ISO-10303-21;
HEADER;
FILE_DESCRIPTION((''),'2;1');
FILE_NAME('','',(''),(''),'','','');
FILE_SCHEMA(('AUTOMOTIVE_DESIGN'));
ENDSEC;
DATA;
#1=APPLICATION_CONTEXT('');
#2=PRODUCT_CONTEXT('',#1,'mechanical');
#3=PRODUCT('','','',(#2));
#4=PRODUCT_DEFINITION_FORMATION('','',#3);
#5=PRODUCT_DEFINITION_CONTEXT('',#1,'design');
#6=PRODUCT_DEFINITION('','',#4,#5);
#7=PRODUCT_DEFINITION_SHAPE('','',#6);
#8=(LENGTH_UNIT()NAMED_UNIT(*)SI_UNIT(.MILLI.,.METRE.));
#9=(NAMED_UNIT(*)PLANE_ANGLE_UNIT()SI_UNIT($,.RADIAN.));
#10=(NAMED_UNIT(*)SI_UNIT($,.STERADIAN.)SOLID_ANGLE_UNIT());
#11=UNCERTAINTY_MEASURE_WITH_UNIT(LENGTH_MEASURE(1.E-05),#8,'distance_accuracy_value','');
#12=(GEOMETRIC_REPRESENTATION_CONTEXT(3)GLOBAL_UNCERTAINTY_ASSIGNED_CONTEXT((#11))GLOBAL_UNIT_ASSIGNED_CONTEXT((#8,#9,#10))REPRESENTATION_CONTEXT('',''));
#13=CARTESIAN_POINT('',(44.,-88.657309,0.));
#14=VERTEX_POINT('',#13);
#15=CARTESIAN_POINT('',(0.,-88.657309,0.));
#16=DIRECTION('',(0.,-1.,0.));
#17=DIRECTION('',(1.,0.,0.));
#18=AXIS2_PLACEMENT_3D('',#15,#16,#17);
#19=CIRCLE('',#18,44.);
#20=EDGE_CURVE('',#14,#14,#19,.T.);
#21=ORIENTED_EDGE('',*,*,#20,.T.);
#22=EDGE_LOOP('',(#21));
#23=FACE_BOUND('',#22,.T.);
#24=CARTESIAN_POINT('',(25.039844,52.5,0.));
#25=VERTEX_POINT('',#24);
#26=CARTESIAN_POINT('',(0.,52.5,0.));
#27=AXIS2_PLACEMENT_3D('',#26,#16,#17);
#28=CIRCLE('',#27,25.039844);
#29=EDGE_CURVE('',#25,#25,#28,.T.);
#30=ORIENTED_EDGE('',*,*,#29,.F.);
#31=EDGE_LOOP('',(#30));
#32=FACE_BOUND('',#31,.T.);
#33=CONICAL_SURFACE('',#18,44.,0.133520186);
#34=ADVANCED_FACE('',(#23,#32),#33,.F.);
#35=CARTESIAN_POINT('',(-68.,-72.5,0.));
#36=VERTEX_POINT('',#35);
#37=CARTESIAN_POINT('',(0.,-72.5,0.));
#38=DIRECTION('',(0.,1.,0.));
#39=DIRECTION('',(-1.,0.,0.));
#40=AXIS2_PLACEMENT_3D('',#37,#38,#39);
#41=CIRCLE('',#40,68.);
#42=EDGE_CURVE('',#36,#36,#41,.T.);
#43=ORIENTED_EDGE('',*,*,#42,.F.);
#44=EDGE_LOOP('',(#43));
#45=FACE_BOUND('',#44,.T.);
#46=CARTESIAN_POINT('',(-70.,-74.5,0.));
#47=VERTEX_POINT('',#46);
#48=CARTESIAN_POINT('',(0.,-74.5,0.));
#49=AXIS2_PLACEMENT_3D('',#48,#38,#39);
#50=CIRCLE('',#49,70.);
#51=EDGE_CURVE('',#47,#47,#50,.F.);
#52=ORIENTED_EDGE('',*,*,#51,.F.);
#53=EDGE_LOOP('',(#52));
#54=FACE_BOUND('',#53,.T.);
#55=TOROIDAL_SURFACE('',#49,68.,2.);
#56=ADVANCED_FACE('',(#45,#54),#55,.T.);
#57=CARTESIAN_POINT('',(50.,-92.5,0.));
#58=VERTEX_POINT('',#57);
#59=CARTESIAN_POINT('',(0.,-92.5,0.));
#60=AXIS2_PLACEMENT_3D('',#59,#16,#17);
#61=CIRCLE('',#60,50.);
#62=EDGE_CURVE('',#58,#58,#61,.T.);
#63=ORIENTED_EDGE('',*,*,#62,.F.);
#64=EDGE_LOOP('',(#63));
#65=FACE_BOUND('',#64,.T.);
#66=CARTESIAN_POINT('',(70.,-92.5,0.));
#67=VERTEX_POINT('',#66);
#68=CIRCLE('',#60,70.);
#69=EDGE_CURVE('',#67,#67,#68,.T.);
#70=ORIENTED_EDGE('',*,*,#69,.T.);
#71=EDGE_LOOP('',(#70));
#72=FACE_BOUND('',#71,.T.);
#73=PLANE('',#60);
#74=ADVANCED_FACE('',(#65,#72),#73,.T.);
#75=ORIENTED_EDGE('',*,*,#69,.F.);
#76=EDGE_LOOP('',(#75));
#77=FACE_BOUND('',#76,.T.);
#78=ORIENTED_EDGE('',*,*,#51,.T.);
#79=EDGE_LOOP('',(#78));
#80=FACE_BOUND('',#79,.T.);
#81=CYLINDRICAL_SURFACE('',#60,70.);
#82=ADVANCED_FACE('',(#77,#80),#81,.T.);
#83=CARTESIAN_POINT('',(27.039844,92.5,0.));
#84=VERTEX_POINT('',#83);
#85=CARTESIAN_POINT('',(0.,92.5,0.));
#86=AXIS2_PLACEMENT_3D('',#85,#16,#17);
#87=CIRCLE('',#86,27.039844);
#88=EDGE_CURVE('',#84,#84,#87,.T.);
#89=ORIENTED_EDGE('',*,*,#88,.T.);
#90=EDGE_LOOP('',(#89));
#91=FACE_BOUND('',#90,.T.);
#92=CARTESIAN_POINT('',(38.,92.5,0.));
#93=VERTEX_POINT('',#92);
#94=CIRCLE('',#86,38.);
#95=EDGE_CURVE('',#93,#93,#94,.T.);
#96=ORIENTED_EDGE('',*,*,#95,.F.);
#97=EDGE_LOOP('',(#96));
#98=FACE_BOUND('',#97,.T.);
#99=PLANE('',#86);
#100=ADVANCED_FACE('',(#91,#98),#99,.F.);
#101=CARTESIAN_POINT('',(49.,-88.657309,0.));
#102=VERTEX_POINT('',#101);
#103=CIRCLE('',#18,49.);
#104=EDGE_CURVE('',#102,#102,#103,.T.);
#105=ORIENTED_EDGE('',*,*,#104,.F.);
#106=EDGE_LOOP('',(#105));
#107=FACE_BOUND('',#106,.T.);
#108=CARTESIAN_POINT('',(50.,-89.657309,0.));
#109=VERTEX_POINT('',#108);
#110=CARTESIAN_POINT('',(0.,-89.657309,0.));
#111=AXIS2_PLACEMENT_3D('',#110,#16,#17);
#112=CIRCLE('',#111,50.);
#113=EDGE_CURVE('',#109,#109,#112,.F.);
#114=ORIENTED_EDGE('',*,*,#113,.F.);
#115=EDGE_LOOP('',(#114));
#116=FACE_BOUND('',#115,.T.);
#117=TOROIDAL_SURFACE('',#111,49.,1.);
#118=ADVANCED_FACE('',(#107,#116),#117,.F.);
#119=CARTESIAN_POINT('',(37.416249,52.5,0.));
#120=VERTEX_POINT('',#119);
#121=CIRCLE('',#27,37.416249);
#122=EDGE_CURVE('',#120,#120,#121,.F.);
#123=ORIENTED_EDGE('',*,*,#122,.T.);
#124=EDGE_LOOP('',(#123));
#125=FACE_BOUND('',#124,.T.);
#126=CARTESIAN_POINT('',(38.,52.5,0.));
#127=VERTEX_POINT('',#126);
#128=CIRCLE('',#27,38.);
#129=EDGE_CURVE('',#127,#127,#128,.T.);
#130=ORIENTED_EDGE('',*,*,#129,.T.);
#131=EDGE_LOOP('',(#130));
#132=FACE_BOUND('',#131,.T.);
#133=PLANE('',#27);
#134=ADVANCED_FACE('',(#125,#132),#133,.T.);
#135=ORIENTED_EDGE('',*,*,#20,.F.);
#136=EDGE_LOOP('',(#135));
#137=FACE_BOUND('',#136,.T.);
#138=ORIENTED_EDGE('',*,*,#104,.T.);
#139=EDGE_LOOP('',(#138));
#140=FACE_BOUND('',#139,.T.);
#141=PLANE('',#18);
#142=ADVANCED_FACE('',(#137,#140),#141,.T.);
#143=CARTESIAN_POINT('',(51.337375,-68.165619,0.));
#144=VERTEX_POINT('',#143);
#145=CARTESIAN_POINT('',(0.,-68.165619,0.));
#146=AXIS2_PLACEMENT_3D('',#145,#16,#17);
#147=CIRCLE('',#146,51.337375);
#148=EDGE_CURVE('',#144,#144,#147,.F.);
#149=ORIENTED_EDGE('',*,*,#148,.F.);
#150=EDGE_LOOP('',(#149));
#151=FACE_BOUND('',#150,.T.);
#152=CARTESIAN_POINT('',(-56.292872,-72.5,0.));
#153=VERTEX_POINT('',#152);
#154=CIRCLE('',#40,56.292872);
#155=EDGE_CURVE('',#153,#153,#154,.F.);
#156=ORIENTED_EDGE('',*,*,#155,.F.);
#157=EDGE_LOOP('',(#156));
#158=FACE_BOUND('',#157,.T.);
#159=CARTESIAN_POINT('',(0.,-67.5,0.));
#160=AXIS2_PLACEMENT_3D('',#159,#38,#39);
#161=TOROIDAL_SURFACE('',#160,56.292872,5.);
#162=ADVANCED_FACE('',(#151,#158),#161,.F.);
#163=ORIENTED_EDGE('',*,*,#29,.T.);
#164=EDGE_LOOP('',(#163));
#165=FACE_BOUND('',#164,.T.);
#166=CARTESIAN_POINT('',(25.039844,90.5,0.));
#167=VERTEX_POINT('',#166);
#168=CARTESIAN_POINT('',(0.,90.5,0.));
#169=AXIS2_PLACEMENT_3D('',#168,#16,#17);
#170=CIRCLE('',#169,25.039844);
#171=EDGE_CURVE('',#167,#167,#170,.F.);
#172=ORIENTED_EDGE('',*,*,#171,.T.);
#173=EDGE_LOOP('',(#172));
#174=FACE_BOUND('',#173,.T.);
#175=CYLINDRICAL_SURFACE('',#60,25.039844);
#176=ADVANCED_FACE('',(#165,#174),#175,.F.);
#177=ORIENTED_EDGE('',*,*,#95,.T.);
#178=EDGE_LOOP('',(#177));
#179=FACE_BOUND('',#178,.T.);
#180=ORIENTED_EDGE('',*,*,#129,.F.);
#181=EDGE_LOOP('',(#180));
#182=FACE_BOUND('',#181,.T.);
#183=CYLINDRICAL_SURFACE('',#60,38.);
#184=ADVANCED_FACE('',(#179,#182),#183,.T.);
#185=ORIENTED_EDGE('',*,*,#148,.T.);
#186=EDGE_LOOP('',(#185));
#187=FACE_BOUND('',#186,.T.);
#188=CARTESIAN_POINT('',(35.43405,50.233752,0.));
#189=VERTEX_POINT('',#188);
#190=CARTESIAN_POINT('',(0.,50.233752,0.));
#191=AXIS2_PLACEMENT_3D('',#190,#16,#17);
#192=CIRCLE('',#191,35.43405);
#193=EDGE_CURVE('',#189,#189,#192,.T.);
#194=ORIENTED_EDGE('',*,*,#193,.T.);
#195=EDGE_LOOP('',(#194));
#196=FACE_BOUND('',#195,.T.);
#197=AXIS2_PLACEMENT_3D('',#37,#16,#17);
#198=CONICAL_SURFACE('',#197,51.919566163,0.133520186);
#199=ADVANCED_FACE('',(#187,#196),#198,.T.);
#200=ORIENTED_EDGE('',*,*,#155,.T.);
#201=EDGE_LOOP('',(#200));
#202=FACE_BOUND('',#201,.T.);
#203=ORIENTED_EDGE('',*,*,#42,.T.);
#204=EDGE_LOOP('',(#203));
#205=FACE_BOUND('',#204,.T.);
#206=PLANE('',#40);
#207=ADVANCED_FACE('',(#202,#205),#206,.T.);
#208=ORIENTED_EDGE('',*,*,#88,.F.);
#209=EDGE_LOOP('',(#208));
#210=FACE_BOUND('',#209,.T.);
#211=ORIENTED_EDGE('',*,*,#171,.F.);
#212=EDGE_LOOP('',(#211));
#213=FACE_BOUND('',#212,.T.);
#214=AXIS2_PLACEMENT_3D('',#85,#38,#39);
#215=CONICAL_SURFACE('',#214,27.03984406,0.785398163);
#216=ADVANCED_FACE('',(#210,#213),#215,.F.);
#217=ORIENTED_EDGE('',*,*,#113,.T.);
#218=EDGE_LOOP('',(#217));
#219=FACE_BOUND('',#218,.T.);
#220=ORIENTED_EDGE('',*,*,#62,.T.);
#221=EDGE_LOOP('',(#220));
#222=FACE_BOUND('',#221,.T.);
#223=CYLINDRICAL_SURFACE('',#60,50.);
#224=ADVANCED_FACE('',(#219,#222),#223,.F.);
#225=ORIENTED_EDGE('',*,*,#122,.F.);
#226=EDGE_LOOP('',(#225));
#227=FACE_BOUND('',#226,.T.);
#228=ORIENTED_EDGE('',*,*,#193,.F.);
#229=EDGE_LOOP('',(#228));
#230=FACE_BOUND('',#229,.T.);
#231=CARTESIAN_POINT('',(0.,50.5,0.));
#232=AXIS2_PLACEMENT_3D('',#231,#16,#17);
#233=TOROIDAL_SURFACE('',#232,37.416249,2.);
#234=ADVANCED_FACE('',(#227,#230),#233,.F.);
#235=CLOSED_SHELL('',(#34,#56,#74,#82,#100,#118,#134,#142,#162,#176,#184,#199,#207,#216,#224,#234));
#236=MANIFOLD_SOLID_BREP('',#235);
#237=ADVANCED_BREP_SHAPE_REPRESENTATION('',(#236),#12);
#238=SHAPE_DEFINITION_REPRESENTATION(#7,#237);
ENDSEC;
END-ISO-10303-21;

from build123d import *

# Parameters (mm, degrees)
FILLET1_R     = 5
CHAMFER1_SIZE = 2
FILLET2_R     = 1
FILLET3_R     = 2
FILLET4_R     = 2


with BuildPart() as part:
    # Sketch1 → Revolve1 (revolve)
    with BuildSketch(Plane.XY):
        Polygon((50, -88.657309004), (50, -92.5), (70, -92.5), (70, -72.5), (51.919566163, -72.5), (35.129649231, 52.5), (38, 52.5), (38, 92.5), (25.03984406, 92.5), (25.03984406, 90.5), (25.03984406, 52.5), (44, -88.657309004), align=None)
    revolve(axis=Axis((0, -92.5, 0), (0, 1, 0)))

    # Fillet1
    fillet1_edges = [part.edges().sort_by_distance(p)[0] for p in [
        (-51.919566163, -72.5, 0),
    ]]
    fillet(fillet1_edges, radius=FILLET1_R)

    # Chamfer1
    chamfer1_edges = [part.edges().sort_by_distance(p)[0] for p in [
        (-25.03984406, 92.5, 0),
    ]]
    chamfer(chamfer1_edges, length=CHAMFER1_SIZE)

    # Fillet2
    fillet2_edges = [part.edges().sort_by_distance(p)[0] for p in [
        (-50, -88.657309004, 0),
    ]]
    fillet(fillet2_edges, radius=FILLET2_R)

    # Fillet3
    fillet3_edges = [part.edges().sort_by_distance(p)[0] for p in [
        (-70, -72.5, 0),
    ]]
    fillet(fillet3_edges, radius=FILLET3_R)

    # Fillet4
    fillet4_edges = [part.edges().sort_by_distance(p)[0] for p in [
        (-35.129649231, 52.5, 0),
    ]]
    fillet(fillet4_edges, radius=FILLET4_R)


solid = part.part
